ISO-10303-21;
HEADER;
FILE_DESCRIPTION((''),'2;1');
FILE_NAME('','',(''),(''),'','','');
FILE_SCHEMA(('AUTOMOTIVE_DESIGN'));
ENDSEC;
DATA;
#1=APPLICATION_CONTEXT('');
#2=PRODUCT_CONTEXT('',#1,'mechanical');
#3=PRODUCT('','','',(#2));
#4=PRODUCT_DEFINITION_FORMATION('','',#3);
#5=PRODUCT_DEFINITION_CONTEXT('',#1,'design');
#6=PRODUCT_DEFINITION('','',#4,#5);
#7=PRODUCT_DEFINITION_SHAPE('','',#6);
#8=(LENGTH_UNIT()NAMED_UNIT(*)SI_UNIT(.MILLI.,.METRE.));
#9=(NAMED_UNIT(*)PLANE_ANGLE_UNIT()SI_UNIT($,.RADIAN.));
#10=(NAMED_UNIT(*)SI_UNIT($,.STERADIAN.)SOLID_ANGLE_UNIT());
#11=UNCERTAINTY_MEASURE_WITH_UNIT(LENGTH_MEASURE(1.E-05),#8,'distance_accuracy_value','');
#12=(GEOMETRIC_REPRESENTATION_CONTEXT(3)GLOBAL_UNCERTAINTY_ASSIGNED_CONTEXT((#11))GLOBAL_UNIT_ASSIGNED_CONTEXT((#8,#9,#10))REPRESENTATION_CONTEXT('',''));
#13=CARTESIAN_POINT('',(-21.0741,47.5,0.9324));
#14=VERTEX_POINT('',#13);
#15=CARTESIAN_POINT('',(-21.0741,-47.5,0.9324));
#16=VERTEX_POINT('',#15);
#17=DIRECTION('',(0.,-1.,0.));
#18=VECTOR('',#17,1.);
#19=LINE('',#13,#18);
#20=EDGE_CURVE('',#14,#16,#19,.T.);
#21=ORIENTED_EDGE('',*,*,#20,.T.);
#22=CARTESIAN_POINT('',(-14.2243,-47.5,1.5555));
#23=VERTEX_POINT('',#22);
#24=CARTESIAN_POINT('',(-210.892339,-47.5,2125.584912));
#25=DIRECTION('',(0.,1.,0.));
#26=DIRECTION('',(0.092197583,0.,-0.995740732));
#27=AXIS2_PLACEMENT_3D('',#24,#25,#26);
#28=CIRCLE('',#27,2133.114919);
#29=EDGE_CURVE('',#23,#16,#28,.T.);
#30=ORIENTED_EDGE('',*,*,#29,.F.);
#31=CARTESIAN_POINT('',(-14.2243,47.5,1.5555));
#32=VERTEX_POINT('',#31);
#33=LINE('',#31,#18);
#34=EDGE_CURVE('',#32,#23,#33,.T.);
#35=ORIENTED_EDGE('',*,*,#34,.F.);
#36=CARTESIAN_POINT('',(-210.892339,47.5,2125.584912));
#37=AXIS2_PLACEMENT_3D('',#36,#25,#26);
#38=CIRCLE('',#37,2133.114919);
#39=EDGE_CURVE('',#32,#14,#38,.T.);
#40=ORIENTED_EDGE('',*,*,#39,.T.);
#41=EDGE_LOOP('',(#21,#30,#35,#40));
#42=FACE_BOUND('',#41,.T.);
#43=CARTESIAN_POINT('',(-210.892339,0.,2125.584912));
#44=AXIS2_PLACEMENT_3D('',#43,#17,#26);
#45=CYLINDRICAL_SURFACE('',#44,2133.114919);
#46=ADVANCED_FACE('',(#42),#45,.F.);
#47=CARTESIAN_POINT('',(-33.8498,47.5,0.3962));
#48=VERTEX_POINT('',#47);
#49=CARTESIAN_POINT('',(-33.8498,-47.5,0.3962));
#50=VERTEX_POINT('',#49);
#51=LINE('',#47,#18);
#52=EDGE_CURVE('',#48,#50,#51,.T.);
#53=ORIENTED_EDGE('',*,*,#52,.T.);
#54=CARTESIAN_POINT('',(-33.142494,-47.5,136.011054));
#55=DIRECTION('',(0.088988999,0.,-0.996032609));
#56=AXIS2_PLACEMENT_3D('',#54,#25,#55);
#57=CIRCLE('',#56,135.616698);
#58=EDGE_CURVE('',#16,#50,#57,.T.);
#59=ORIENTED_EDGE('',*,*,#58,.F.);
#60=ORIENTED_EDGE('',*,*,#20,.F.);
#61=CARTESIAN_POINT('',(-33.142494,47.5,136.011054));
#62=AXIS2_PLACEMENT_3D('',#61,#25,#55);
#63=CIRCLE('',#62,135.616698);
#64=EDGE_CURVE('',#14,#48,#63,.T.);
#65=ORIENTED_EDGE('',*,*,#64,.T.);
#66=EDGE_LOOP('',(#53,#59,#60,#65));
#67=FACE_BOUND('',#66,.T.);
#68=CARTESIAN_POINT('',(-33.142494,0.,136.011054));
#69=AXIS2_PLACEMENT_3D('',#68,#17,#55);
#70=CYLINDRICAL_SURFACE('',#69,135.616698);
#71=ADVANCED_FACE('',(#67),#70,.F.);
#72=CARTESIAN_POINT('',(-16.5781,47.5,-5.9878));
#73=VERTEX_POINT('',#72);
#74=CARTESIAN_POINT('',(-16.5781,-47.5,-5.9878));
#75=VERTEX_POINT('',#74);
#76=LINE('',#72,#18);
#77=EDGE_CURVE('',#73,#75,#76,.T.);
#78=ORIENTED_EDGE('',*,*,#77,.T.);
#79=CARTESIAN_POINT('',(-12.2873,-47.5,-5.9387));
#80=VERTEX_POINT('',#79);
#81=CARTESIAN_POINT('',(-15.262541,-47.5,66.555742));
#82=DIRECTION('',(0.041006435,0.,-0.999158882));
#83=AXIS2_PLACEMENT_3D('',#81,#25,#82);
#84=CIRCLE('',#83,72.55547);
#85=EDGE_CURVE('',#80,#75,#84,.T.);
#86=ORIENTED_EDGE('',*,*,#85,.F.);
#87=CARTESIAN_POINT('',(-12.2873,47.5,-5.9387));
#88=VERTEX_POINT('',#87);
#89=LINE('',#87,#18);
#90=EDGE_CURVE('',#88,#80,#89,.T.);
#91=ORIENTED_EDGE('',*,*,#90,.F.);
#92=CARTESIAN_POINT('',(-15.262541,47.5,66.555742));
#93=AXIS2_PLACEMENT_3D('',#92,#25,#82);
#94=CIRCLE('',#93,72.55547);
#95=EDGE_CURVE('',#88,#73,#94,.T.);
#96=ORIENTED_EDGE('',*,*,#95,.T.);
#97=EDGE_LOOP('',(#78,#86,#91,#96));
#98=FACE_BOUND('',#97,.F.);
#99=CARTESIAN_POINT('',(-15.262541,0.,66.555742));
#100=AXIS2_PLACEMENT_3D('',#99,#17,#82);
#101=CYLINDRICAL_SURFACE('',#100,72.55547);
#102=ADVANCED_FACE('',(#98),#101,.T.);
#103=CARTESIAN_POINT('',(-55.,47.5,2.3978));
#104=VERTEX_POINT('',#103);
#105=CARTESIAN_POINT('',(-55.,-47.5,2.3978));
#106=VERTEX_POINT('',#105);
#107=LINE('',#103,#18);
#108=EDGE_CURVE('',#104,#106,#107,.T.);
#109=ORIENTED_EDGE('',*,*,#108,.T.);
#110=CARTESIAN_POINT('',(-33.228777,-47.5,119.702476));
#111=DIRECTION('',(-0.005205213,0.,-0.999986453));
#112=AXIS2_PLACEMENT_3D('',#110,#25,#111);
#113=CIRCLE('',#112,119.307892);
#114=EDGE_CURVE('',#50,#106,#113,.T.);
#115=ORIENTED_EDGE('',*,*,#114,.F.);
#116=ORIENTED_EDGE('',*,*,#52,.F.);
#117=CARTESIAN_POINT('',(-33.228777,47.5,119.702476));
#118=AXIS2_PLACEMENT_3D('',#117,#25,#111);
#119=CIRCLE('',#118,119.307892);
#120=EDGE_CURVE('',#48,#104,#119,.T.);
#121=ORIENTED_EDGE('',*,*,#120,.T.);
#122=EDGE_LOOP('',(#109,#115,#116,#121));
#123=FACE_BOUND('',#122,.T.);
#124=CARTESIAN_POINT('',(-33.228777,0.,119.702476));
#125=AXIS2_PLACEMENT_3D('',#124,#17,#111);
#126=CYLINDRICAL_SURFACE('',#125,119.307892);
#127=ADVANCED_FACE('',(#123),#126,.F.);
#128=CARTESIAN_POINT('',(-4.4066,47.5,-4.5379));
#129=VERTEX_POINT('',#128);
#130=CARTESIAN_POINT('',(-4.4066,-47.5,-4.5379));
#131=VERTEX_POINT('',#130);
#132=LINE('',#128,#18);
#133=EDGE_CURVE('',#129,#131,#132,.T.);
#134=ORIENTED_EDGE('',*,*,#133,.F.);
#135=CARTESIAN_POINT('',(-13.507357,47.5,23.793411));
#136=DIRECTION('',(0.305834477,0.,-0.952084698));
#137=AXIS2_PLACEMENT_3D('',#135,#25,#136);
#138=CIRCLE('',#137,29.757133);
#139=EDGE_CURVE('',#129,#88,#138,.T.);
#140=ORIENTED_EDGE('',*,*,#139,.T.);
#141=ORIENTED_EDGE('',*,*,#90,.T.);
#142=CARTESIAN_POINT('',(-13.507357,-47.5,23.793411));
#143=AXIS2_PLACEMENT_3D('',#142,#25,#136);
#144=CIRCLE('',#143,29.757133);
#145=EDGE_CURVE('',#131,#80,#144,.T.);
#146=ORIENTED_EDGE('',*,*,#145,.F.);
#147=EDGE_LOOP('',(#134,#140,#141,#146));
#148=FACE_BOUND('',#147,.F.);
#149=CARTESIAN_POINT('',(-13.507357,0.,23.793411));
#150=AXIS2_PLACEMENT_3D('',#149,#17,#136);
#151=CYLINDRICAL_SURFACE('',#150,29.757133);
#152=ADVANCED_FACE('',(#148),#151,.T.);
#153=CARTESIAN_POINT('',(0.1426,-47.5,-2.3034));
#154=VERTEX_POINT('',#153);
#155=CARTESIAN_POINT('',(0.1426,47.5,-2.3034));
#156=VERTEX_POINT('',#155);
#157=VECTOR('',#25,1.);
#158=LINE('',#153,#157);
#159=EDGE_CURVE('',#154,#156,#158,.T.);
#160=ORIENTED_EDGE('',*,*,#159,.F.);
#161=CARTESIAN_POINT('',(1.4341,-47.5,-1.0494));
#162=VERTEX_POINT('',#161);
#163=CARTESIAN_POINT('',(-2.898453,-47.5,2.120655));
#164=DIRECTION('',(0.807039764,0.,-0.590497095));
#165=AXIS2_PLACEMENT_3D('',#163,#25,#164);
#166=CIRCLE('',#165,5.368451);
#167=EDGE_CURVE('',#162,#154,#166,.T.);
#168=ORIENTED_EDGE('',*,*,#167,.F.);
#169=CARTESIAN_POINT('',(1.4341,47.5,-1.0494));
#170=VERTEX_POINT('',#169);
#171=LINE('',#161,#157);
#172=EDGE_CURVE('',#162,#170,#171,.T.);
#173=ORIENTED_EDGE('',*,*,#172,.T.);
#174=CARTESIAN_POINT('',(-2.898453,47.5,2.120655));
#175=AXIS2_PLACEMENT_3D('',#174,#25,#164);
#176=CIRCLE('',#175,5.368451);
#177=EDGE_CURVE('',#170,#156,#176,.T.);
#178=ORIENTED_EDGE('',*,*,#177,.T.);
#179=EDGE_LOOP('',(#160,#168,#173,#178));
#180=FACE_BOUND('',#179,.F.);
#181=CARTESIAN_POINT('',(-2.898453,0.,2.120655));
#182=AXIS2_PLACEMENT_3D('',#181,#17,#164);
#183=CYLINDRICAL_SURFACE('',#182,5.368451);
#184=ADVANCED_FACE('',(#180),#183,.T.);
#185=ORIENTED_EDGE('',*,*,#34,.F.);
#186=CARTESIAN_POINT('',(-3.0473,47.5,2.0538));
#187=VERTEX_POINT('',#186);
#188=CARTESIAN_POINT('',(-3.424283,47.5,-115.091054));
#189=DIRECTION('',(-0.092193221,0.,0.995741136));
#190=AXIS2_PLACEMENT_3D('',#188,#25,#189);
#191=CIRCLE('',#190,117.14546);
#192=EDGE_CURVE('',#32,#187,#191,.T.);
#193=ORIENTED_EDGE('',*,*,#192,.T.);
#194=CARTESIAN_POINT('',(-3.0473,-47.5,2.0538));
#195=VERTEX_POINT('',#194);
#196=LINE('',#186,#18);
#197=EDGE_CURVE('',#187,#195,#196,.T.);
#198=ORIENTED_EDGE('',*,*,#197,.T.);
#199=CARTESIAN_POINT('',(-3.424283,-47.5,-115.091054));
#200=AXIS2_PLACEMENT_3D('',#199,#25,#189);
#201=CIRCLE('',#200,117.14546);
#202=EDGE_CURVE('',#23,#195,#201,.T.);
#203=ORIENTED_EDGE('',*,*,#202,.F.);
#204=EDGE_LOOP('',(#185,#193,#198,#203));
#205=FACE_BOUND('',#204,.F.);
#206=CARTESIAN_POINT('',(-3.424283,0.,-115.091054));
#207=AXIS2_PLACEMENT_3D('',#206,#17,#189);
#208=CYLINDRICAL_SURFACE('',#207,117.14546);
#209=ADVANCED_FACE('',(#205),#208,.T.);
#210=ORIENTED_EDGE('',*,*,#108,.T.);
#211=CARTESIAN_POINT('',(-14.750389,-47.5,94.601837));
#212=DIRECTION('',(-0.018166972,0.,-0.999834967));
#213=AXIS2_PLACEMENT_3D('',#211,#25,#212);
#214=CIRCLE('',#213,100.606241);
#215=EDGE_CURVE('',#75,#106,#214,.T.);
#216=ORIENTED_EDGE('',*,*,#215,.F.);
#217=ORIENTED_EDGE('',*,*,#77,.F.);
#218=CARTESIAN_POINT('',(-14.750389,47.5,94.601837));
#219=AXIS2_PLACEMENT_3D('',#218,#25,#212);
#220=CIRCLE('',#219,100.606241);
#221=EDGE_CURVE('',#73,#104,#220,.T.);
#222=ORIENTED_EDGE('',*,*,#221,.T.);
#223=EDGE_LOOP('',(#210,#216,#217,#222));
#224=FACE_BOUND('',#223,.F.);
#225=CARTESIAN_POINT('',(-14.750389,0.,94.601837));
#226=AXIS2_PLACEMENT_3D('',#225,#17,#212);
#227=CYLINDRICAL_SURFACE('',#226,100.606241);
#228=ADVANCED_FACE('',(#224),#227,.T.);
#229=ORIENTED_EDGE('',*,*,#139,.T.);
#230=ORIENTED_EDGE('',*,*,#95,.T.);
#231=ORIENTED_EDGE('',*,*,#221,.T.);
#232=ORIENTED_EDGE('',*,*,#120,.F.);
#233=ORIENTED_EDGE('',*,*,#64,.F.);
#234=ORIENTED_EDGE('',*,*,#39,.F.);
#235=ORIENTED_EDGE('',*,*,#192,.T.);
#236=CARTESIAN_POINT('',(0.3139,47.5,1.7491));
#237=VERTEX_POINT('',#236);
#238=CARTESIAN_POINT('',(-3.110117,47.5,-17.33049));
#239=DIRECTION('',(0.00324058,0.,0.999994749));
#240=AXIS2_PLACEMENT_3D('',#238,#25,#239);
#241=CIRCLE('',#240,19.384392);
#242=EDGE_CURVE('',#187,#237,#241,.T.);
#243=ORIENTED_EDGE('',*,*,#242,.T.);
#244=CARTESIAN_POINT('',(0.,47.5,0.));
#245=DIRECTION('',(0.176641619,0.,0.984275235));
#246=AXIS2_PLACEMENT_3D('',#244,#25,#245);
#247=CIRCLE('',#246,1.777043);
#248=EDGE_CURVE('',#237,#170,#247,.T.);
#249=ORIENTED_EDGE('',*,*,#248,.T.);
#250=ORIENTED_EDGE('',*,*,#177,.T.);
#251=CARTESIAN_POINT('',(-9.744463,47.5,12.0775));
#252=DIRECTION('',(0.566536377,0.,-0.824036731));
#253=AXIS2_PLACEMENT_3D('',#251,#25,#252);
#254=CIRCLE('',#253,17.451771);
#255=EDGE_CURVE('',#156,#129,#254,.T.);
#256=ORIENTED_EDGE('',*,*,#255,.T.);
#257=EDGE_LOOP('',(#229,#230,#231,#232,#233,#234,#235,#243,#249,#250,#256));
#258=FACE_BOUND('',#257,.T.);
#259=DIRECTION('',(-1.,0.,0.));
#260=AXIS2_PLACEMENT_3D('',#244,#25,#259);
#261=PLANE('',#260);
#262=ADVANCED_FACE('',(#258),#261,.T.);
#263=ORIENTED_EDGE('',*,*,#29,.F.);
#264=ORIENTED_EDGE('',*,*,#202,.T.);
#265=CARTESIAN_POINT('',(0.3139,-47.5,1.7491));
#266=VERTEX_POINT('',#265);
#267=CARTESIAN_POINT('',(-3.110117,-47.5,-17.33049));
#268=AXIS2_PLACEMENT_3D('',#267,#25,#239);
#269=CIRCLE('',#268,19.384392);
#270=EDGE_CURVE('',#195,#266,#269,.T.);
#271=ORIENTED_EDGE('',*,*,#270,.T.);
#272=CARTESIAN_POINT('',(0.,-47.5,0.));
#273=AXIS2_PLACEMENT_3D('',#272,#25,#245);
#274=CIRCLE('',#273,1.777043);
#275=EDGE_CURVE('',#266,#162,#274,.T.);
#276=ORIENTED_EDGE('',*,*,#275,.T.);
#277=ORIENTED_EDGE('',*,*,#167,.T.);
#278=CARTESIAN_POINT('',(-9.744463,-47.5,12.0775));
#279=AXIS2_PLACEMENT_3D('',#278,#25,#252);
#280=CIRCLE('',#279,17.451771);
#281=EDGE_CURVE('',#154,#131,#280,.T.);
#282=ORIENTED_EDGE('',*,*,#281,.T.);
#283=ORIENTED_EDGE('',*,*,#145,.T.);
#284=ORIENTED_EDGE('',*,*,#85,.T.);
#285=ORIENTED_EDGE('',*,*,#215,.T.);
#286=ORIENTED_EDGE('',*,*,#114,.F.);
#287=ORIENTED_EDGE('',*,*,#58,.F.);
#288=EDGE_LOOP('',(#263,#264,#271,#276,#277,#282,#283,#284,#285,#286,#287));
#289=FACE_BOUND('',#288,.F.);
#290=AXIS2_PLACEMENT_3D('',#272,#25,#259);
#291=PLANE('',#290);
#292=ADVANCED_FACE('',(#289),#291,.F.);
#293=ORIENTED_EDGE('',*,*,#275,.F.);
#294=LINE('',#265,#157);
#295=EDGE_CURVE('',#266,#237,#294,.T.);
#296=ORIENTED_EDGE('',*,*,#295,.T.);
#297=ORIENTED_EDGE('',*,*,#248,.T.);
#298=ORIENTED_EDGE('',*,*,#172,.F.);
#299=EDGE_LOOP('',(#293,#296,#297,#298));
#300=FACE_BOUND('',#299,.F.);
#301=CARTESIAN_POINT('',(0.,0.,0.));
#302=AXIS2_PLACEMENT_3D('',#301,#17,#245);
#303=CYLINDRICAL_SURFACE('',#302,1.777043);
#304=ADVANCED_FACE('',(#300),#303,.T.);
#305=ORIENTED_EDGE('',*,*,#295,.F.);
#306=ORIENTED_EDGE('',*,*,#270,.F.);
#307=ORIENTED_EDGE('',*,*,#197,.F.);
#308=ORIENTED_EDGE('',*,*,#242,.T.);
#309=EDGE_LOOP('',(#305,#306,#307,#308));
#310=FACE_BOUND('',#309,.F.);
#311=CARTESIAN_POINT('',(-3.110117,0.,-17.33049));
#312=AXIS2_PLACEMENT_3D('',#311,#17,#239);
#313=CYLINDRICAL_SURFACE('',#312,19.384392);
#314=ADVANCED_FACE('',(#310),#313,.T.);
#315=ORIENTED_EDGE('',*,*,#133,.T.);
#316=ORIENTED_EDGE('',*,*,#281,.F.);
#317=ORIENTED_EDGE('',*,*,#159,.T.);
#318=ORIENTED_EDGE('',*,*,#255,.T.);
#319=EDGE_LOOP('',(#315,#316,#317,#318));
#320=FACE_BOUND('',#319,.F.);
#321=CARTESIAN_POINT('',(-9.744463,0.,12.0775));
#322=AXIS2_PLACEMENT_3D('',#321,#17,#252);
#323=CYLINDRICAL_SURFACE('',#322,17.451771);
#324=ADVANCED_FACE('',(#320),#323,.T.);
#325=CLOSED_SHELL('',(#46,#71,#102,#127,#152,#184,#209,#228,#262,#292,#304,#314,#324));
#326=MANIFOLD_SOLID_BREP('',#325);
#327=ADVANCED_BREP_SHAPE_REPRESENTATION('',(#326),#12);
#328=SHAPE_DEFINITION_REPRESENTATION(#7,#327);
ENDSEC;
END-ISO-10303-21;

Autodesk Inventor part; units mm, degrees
ref_plane "YZ Plane" through (0, 0, 0) normal (1, 0, 0) x (0, 1, 0)
ref_plane "XZ Plane" through (0, 0, 0) normal (0, 1, 0) x (-1, 0, 0)
ref_plane "XY Plane" through (0, 0, 0) normal (0, 0, 1) x (1, 0, 0)
sketch "スケッチ1" plane through (0, 0, 0) normal (0, 1, 0) x (-1, 0, 0)
  arc A0 (-0.3139, 1.7491) -> (-1.4341, -1.0494) centre (0, 0) ccw
  arc A1 (3.0473, 2.0538) -> (-0.3139, 1.7491) centre (3.11, -17.328) ccw
  arc A2 (14.2243, 1.5555) -> (3.0473, 2.0538) centre (3.426, -115.066) ccw
  arc A3 (14.2243, 1.5555) -> (21.0741, 0.9324) centre (210.779, 2124.35) ccw
  arc A4 (21.0741, 0.9324) -> (33.8498, 0.3962) centre (33.144, 136.034) ccw
  arc A5 (33.8498, 0.3962) -> (55, 2.3978) centre (33.229, 119.698) ccw
  arc A6 (-1.4341, -1.0494) -> (-0.1426, -2.3034) centre (2.9, 2.122) ccw
  arc A7 (-0.1426, -2.3034) -> (4.4066, -4.5379) centre (9.743, 12.075) ccw
  arc A8 (4.4066, -4.5379) -> (12.2873, -5.9387) centre (13.508, 23.796) ccw
  arc A9 (12.2873, -5.9387) -> (16.5781, -5.9878) centre (15.261, 66.497) ccw
  arc A10 (16.5781, -5.9878) -> (55, 2.3978) centre (14.7503, 94.6026) ccw
  dimension "d0" = 1.777
  dimension "d2" = 17.328
  dimension "d5" = 115.066
  dimension "d7" = 2124.35
  dimension "d9" = 136.034
  dimension "d10" = 3.11
  dimension "d11" = 3.426
  dimension "d12" = 210.779
  dimension "d13" = 33.144
  dimension "d14" = 33.229
  dimension "d15" = 119.698
  dimension "d16" = 55
  dimension "d17" = 2.9
  dimension "d18" = 2.122
  dimension "d21" = 9.743
  dimension "d22" = 12.075
  dimension "d23" = 13.508
  dimension "d24" = 23.796
  dimension "d25" = 15.261
  dimension "d26" = 66.497
  dimension "d27" = 94.6026
extrude "押し出し1" add sketch "スケッチ1" along normal mid plane 95
properties part number "naca97"
